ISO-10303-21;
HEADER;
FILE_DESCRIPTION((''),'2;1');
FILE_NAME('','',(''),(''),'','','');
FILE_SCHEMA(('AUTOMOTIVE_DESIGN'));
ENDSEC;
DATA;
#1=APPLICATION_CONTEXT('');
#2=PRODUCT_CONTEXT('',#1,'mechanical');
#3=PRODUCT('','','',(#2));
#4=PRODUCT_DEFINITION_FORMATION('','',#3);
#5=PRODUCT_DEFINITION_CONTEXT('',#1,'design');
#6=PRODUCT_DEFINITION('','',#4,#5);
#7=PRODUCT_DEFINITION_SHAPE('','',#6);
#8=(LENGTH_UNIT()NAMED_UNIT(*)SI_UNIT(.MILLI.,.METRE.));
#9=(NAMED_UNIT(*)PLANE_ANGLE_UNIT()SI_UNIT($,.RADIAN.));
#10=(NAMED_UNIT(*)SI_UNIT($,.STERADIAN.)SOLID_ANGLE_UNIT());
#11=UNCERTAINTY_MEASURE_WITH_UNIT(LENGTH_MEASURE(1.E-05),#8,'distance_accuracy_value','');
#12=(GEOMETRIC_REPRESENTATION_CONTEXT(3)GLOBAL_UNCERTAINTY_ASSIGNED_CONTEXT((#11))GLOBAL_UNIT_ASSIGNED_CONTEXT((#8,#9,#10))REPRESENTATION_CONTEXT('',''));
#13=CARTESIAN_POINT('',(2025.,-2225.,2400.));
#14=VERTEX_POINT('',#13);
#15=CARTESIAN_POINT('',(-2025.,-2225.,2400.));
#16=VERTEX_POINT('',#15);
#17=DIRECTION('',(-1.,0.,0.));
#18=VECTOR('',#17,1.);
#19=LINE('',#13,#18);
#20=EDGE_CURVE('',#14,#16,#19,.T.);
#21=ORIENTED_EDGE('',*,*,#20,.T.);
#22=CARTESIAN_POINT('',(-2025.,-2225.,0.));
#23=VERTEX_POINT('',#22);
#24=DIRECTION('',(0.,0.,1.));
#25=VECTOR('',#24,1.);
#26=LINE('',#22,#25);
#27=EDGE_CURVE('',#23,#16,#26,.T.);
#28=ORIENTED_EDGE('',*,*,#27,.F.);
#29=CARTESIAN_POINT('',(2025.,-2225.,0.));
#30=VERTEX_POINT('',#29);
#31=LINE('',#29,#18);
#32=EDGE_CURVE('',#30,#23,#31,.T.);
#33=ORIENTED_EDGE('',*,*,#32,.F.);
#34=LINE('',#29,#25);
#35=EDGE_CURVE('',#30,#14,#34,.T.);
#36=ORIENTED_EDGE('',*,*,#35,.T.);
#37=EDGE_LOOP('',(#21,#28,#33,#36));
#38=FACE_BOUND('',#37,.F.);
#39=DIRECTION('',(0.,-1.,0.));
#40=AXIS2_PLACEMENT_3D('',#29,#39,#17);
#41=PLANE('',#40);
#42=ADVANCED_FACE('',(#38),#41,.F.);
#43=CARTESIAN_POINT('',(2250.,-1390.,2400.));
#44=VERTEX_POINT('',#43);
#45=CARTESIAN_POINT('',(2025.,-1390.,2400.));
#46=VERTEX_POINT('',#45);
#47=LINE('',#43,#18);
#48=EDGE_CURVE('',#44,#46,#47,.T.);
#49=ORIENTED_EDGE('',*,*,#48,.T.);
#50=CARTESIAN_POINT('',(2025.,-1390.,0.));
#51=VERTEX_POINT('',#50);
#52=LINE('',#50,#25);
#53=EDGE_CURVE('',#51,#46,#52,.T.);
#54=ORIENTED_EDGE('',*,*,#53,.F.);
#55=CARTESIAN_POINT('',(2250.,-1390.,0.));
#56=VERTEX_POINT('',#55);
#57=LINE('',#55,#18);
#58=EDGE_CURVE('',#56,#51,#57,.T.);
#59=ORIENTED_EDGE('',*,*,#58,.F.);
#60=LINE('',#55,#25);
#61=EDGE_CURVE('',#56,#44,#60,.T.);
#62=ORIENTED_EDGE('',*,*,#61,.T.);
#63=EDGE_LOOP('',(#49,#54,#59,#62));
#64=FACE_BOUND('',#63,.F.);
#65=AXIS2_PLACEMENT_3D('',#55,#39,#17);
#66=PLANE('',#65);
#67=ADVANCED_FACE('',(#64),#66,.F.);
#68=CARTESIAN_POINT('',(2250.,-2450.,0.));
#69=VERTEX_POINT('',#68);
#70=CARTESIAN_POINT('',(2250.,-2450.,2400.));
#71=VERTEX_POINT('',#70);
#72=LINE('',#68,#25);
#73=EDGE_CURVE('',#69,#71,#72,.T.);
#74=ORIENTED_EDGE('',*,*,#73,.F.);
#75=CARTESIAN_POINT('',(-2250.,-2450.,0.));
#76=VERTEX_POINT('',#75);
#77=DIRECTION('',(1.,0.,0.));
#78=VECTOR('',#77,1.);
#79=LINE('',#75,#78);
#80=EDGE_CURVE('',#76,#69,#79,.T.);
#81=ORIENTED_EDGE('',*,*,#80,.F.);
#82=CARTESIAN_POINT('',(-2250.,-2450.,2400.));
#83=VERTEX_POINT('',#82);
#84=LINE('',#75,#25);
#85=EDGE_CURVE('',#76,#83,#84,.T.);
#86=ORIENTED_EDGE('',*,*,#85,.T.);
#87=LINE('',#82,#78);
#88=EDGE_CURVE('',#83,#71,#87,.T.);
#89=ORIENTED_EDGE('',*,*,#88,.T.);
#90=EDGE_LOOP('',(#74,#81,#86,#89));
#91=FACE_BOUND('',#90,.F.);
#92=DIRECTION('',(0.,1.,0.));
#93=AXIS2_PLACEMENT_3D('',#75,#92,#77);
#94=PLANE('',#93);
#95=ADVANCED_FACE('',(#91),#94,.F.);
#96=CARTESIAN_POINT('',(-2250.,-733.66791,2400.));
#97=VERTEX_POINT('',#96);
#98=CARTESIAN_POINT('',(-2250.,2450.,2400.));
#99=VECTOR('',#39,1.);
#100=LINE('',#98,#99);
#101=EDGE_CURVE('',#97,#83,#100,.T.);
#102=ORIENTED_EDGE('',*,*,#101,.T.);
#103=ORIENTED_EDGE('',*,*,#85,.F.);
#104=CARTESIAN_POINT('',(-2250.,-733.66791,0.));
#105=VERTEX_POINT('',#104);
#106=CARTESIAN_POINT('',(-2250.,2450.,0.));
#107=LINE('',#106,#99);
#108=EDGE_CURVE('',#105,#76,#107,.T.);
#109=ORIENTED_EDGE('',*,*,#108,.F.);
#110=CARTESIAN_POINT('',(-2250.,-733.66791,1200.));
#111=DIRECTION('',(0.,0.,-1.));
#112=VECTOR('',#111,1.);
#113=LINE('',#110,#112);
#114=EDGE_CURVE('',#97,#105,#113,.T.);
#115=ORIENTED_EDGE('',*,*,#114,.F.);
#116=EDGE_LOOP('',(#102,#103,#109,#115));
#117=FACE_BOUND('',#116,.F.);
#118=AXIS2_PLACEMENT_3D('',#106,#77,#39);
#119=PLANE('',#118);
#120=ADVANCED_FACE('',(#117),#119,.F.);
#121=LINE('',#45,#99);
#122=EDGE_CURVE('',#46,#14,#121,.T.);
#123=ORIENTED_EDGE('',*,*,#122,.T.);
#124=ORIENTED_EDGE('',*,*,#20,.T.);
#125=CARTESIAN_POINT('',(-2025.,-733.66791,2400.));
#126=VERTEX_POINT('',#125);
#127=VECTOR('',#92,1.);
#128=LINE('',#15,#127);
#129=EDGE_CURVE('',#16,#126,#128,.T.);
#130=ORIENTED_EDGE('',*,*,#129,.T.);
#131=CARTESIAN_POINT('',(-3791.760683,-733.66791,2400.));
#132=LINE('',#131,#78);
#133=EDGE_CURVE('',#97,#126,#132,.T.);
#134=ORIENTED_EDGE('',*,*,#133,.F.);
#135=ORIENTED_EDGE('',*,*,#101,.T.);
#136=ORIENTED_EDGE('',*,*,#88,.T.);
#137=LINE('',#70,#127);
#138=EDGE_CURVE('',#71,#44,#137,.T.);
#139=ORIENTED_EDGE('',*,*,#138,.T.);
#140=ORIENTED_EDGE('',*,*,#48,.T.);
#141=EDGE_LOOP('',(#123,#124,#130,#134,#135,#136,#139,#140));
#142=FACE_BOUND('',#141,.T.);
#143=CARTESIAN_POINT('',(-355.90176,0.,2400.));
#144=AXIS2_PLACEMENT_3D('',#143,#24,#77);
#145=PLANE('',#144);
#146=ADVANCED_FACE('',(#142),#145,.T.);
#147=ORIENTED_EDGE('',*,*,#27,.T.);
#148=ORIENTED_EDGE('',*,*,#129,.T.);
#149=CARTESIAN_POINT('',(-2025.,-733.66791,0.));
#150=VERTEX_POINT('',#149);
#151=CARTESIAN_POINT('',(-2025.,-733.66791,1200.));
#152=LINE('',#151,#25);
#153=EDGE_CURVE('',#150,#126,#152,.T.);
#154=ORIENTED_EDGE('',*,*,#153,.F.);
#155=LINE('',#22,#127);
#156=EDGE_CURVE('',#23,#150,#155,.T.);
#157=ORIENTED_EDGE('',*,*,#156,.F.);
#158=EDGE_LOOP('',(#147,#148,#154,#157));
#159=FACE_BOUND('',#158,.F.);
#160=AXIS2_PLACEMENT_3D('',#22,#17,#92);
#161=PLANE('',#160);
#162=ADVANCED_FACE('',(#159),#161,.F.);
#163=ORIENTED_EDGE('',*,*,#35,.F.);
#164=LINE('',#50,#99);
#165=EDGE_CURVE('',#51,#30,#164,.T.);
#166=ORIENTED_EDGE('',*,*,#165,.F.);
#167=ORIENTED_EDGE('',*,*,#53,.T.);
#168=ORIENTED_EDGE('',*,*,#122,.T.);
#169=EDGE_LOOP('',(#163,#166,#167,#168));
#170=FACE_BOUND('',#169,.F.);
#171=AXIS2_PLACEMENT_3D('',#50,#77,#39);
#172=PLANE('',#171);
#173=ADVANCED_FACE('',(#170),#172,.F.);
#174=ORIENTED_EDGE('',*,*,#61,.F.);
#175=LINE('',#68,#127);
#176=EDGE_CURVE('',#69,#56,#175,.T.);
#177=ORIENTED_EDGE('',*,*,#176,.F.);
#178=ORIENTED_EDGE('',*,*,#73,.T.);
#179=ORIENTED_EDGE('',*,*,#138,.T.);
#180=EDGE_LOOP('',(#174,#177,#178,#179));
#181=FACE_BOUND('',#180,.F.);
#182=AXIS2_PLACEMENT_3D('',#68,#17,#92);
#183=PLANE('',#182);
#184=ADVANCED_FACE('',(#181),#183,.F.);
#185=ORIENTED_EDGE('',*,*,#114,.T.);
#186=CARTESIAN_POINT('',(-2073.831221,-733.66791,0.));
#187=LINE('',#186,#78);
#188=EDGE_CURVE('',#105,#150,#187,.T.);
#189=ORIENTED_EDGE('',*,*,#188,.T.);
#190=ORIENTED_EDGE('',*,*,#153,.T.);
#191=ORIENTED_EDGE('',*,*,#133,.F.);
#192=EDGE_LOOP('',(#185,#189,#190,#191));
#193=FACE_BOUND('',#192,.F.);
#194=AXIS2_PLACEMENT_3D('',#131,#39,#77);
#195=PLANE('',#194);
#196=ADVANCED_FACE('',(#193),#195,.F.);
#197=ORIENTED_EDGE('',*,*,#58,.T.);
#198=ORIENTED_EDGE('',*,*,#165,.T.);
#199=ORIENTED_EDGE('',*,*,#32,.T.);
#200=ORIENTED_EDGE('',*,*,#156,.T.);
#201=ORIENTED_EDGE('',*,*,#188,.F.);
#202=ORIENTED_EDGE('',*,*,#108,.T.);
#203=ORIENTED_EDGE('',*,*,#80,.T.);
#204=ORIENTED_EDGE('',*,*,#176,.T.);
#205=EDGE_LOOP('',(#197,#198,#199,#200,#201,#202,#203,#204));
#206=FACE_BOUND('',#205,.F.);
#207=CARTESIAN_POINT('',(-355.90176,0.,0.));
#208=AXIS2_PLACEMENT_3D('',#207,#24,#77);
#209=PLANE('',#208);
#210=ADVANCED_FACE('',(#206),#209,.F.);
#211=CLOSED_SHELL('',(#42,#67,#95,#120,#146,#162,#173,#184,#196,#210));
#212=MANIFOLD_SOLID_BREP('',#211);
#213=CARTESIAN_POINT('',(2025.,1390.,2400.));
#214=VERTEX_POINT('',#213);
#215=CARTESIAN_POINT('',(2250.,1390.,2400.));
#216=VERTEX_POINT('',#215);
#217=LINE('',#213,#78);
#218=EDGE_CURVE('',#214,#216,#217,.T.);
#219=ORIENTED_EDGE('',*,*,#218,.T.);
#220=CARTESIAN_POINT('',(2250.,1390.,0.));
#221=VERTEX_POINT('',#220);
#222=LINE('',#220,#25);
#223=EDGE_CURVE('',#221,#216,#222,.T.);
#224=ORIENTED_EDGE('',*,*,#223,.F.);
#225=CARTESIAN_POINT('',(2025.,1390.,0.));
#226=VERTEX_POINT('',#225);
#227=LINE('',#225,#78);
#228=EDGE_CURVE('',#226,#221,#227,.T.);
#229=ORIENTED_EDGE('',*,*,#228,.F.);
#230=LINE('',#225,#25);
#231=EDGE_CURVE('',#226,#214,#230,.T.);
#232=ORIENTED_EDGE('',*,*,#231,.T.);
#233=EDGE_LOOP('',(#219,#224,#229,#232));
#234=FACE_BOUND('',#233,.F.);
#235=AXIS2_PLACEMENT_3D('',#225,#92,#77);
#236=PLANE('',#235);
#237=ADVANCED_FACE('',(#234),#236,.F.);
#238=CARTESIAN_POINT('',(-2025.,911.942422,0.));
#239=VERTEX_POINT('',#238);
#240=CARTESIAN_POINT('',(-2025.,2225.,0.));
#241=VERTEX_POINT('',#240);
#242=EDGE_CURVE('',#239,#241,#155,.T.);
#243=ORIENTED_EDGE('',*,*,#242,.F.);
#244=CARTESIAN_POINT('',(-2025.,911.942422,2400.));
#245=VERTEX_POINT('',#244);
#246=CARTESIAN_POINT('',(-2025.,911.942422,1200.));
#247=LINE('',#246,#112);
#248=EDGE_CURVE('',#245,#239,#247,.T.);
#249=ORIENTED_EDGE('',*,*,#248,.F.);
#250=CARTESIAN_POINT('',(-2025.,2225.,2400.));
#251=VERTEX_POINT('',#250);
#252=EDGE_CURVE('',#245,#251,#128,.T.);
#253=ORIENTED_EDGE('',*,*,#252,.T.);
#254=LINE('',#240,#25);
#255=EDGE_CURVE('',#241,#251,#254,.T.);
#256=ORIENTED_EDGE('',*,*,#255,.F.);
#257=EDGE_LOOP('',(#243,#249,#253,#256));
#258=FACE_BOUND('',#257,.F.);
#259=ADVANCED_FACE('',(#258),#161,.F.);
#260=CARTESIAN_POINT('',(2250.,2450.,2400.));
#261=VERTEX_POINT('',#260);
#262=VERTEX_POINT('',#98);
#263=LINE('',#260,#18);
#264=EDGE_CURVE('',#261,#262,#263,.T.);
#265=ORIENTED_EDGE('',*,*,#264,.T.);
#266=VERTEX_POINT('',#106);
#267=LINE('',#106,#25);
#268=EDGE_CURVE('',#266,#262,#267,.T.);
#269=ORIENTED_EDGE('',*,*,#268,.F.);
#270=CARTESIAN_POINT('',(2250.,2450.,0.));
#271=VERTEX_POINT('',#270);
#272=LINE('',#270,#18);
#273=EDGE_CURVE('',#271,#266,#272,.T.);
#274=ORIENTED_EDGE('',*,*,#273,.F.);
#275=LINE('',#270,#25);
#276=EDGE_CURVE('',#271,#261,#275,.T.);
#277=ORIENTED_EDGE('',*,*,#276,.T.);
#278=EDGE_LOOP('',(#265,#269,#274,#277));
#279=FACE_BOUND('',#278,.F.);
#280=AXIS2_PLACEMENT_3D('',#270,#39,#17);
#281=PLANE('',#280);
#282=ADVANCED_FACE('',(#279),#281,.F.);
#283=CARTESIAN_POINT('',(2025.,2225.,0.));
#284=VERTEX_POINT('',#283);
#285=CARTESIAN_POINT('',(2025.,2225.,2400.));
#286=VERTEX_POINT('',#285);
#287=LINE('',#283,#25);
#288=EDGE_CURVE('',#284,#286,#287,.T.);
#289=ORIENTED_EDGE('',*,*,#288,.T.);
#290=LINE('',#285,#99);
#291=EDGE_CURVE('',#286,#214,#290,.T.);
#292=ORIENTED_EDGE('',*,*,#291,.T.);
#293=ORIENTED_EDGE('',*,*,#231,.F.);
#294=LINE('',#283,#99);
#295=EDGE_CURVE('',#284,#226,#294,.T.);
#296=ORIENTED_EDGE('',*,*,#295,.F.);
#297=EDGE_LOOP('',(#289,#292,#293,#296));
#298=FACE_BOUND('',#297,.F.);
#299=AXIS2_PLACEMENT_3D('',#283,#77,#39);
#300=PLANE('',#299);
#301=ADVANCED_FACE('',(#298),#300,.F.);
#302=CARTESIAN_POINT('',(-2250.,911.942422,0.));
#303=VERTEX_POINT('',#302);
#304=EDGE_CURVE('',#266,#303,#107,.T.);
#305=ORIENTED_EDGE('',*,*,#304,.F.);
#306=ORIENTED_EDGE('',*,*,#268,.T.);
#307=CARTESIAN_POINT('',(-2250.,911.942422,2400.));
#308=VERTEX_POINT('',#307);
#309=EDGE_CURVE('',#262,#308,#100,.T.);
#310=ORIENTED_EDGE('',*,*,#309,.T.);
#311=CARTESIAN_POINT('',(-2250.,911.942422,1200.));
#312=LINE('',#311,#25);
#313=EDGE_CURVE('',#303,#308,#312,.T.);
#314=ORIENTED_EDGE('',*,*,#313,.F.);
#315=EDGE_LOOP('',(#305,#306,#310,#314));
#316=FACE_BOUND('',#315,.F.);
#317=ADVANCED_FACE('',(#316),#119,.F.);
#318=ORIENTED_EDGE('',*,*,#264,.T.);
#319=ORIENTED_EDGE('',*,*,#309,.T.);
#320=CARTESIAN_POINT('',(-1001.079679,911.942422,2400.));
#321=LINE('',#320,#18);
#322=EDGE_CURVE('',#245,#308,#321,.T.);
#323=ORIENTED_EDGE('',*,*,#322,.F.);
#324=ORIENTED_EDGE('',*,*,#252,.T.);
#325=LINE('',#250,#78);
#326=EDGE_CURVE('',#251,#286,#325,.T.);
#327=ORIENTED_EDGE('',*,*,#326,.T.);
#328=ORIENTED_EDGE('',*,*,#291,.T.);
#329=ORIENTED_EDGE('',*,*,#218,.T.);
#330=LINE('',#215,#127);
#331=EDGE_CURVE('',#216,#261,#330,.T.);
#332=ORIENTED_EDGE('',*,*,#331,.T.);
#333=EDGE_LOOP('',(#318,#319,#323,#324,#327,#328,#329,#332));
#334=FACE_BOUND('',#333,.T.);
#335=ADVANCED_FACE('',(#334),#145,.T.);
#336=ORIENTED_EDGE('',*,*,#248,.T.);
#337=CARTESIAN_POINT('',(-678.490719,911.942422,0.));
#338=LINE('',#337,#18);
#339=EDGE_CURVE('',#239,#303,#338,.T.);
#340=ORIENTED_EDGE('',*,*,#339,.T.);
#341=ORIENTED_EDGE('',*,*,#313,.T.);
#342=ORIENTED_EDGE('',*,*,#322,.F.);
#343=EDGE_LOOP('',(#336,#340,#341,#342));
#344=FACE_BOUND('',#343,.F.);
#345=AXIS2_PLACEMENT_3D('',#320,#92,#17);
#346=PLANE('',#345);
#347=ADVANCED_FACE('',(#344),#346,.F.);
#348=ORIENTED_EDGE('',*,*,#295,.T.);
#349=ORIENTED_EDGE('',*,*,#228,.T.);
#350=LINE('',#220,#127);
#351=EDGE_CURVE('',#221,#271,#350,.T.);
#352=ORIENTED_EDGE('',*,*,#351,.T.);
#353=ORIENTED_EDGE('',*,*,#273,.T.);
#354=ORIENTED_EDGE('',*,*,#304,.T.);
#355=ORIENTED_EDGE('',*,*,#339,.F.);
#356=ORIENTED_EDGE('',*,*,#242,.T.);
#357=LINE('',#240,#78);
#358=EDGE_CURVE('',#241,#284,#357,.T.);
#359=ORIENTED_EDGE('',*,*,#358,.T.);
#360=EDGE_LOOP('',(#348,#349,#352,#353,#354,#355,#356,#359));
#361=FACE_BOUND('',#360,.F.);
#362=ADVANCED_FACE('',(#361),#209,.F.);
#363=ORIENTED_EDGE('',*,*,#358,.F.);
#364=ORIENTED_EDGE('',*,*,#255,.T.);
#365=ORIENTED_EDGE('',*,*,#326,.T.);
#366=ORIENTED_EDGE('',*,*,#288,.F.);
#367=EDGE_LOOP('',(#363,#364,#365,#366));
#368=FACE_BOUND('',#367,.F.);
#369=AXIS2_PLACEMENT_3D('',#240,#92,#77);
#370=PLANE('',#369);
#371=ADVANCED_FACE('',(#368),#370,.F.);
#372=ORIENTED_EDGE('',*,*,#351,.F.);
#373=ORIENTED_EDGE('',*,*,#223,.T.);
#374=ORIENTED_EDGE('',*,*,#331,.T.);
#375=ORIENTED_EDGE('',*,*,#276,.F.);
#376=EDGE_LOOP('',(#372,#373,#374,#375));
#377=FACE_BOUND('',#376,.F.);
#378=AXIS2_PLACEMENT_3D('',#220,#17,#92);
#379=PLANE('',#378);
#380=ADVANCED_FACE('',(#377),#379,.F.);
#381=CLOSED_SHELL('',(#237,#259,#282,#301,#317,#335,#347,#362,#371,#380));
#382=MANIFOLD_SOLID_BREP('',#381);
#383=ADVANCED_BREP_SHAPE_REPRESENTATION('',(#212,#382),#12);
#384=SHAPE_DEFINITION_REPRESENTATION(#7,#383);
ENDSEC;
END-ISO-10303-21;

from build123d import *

# Parameters (mm, degrees)
F1_DEPTH = 2400
F4_W     = 1023.9203214645
F4_H     = 1645.610332489
F4_W_2   = 1541.7606830597
F4_W_3   = 225
F5_DEPTH = 2400.001


with BuildPart() as f1:
    # F0 (on Top) → F1 (new body)
    with BuildSketch(Plane.XY):
        Polygon((-2250, -2450), (2250, -2450), (2250, -1390), (2025, -1390), (2025, -2225), (-2025, -2225), (-2025, 2225), (2025, 2225), (2025, 1390), (2250, 1390), (2250, 2450), (-2250, 2450), align=None)
    extrude(amount=F1_DEPTH)

    # F4 (on face) → F5 (cut, through all)
    with BuildSketch(Plane.XY.offset(2400)):
        with Locations((-1513.0398392677, 89.1372561455)):
            Rectangle(F4_W, F4_H)
        with Locations((-3020.8803415298, 89.1372561455)):
            Rectangle(F4_W_2, F4_H)
        with Locations((-2137.5, 89.1372561455)):
            Rectangle(F4_W_3, F4_H)
    extrude(amount=-F5_DEPTH, mode=Mode.SUBTRACT)


solid = f1.part
